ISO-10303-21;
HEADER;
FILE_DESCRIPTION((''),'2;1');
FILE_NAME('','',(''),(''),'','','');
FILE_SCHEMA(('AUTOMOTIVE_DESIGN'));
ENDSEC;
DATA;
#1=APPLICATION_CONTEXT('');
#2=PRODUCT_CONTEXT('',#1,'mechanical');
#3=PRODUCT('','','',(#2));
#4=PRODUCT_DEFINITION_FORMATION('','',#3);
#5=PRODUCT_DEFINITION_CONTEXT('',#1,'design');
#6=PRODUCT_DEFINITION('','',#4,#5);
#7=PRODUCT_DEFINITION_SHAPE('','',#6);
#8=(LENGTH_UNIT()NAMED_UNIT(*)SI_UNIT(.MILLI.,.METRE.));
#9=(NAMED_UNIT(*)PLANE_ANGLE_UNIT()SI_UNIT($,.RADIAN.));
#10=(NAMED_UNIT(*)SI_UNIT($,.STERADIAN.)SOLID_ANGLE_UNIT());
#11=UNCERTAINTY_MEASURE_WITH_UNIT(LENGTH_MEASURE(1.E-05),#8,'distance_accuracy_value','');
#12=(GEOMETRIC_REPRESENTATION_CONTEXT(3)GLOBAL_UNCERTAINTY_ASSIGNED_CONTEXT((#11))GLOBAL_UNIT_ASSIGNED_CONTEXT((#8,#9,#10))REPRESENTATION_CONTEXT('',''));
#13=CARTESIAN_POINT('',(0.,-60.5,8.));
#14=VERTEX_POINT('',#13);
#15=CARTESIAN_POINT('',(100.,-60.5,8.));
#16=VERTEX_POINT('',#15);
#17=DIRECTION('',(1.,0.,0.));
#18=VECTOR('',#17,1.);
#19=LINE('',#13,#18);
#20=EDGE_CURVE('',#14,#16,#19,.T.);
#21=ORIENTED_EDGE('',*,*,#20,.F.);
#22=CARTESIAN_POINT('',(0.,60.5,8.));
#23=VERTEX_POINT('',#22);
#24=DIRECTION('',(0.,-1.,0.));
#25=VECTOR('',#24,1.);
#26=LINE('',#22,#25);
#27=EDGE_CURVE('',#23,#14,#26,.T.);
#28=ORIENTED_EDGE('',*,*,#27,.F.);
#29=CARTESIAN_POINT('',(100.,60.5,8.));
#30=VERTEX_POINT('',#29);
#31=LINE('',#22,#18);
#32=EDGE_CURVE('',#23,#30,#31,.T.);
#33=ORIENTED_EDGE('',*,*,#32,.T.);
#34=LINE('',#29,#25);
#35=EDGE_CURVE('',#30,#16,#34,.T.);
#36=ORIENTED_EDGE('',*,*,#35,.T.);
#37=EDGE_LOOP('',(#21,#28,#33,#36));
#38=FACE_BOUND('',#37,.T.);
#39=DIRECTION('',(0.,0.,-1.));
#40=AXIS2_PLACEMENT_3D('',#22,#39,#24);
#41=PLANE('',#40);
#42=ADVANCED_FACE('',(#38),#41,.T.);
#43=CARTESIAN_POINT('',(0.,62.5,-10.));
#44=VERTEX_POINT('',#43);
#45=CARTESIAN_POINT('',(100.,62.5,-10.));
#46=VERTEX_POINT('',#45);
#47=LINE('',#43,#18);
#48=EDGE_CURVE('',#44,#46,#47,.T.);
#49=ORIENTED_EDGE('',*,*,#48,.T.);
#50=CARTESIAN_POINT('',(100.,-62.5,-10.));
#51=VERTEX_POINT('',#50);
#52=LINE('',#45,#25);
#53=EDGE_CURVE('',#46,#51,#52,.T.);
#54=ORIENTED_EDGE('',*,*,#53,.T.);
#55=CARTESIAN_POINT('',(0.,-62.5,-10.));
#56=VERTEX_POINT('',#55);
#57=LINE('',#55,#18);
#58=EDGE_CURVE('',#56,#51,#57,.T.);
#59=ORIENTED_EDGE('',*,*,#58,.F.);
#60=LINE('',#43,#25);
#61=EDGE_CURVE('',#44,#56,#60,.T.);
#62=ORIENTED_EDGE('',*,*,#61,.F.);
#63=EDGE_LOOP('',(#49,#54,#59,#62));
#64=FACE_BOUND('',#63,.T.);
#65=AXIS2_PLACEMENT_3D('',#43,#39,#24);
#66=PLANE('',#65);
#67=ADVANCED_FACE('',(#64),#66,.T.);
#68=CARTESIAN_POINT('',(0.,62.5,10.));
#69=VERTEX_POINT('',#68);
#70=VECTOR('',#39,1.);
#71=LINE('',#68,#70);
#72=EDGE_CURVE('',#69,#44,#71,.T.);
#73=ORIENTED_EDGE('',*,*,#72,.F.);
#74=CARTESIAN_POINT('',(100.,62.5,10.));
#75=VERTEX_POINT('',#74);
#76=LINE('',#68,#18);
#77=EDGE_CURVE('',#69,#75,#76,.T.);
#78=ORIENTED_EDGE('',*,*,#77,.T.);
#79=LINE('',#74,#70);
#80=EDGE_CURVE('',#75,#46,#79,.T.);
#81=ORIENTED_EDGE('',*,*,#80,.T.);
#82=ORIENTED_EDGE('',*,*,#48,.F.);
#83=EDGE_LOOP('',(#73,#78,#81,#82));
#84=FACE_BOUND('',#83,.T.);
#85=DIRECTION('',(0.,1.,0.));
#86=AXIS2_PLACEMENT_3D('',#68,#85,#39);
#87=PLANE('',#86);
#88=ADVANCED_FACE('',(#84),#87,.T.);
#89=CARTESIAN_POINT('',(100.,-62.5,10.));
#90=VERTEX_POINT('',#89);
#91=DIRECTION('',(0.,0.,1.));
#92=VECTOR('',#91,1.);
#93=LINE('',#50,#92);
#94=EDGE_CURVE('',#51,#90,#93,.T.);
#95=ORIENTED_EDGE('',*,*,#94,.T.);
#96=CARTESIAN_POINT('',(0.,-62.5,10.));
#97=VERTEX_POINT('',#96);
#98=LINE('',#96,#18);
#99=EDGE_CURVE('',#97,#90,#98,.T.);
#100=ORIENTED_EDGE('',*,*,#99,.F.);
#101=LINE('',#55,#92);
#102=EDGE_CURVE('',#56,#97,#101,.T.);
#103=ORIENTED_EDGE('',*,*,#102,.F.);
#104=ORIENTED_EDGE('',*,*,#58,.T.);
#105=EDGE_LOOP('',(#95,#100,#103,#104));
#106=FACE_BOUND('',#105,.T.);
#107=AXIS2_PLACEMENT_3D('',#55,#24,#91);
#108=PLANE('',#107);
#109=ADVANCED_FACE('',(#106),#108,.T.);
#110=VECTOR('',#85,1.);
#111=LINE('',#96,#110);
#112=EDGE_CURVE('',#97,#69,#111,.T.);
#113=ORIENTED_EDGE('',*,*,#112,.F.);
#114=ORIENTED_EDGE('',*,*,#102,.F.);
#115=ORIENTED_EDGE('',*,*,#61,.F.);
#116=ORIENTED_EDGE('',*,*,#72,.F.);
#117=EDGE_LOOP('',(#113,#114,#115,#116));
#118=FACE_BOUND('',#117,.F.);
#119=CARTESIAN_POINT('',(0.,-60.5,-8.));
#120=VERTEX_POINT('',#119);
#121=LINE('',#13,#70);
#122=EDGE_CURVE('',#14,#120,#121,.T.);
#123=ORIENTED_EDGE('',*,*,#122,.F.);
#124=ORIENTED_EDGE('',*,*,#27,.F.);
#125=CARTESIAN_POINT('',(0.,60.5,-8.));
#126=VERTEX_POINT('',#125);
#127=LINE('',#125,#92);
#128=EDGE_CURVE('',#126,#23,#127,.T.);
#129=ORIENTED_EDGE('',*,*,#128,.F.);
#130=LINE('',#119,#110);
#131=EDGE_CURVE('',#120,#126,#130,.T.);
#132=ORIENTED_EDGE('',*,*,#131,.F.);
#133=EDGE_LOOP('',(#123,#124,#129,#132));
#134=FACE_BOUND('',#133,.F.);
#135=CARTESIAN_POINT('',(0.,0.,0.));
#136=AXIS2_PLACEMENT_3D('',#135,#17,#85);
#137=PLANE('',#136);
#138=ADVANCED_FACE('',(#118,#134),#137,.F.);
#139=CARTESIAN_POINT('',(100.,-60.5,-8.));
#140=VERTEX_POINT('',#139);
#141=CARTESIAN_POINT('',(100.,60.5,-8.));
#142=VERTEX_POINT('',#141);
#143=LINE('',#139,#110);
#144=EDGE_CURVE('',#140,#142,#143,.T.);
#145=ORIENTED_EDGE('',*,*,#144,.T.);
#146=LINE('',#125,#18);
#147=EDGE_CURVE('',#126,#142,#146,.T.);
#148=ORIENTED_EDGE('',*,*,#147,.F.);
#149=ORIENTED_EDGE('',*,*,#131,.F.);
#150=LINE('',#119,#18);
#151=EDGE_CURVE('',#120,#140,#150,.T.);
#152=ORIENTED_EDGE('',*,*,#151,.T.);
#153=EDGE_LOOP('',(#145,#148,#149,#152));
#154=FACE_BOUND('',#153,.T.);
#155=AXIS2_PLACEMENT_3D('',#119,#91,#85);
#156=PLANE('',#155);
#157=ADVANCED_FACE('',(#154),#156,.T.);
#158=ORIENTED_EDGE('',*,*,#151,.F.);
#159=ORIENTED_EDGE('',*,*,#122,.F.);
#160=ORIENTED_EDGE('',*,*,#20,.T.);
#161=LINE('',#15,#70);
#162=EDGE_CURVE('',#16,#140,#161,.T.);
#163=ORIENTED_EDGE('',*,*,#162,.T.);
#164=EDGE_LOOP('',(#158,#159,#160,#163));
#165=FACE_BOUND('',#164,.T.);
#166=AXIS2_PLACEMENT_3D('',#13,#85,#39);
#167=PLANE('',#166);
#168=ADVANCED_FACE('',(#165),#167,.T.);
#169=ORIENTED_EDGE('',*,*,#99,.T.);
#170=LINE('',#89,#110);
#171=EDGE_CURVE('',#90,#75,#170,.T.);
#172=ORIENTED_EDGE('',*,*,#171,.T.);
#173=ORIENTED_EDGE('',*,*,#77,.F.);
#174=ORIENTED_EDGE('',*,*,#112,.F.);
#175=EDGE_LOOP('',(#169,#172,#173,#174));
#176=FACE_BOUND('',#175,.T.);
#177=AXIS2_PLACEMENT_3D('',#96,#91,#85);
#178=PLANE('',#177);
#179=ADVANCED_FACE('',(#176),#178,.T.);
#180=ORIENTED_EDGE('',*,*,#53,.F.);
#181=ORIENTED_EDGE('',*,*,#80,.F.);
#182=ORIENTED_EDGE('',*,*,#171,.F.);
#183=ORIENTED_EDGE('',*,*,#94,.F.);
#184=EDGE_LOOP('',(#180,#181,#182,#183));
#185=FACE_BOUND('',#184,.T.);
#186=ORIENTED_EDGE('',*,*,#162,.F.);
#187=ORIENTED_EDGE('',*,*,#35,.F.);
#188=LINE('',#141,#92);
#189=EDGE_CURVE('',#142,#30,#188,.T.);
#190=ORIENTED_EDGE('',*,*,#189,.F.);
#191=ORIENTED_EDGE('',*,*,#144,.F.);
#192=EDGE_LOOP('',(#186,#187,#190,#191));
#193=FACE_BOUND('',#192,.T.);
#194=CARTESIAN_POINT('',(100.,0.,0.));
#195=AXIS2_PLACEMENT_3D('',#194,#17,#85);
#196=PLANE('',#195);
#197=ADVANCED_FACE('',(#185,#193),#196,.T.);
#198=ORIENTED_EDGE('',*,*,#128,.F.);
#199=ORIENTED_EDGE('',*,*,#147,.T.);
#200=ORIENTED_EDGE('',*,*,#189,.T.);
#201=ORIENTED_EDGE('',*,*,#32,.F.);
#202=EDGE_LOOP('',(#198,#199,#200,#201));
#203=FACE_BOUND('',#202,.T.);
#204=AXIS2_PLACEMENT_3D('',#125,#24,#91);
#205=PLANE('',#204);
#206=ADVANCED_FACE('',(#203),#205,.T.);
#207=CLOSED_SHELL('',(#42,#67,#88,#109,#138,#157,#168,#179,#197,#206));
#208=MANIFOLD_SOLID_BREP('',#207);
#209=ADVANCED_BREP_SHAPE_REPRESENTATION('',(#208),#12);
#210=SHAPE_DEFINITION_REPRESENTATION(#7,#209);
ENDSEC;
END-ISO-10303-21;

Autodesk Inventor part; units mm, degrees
ref_plane "YZ Plane" through (0, 0, 0) normal (1, 0, 0) x (0, 1, 0)
ref_plane "XZ Plane" through (0, 0, 0) normal (0, 1, 0) x (-1, 0, 0)
ref_plane "XY Plane" through (0, 0, 0) normal (0, 0, 1) x (1, 0, 0)
sketch "Sketch1" plane through (0, 0, 0) normal (1, 0, 0) x (0, 1, 0)
  line L0 (-62.5, 10) -> (62.5, 10)
  line L1 (62.5, 10) -> (62.5, -10)
  line L2 (62.5, -10) -> (-62.5, -10)
  line L3 (-62.5, -10) -> (-62.5, 10)
  line L4 (-62.5, 10) -> (62.5, -10) construction
  line L5 (62.5, 10) -> (-62.5, -10) construction
  line L6 (60.5, -8) -> (60.5, 8)
  line L7 (60.5, 8) -> (-60.5, 8)
  line L8 (-60.5, 8) -> (-60.5, -8)
  line L9 (-60.5, -8) -> (60.5, -8)
  point P0 (0, 0)
  dimension "d0" = 125
  dimension "d1" = 20
  dimension "d2" = 2
extrude "Extrusion1" add sketch "Sketch1" along normal blind 100
properties part number "Motor Mount" material "Aluminum 6061"
